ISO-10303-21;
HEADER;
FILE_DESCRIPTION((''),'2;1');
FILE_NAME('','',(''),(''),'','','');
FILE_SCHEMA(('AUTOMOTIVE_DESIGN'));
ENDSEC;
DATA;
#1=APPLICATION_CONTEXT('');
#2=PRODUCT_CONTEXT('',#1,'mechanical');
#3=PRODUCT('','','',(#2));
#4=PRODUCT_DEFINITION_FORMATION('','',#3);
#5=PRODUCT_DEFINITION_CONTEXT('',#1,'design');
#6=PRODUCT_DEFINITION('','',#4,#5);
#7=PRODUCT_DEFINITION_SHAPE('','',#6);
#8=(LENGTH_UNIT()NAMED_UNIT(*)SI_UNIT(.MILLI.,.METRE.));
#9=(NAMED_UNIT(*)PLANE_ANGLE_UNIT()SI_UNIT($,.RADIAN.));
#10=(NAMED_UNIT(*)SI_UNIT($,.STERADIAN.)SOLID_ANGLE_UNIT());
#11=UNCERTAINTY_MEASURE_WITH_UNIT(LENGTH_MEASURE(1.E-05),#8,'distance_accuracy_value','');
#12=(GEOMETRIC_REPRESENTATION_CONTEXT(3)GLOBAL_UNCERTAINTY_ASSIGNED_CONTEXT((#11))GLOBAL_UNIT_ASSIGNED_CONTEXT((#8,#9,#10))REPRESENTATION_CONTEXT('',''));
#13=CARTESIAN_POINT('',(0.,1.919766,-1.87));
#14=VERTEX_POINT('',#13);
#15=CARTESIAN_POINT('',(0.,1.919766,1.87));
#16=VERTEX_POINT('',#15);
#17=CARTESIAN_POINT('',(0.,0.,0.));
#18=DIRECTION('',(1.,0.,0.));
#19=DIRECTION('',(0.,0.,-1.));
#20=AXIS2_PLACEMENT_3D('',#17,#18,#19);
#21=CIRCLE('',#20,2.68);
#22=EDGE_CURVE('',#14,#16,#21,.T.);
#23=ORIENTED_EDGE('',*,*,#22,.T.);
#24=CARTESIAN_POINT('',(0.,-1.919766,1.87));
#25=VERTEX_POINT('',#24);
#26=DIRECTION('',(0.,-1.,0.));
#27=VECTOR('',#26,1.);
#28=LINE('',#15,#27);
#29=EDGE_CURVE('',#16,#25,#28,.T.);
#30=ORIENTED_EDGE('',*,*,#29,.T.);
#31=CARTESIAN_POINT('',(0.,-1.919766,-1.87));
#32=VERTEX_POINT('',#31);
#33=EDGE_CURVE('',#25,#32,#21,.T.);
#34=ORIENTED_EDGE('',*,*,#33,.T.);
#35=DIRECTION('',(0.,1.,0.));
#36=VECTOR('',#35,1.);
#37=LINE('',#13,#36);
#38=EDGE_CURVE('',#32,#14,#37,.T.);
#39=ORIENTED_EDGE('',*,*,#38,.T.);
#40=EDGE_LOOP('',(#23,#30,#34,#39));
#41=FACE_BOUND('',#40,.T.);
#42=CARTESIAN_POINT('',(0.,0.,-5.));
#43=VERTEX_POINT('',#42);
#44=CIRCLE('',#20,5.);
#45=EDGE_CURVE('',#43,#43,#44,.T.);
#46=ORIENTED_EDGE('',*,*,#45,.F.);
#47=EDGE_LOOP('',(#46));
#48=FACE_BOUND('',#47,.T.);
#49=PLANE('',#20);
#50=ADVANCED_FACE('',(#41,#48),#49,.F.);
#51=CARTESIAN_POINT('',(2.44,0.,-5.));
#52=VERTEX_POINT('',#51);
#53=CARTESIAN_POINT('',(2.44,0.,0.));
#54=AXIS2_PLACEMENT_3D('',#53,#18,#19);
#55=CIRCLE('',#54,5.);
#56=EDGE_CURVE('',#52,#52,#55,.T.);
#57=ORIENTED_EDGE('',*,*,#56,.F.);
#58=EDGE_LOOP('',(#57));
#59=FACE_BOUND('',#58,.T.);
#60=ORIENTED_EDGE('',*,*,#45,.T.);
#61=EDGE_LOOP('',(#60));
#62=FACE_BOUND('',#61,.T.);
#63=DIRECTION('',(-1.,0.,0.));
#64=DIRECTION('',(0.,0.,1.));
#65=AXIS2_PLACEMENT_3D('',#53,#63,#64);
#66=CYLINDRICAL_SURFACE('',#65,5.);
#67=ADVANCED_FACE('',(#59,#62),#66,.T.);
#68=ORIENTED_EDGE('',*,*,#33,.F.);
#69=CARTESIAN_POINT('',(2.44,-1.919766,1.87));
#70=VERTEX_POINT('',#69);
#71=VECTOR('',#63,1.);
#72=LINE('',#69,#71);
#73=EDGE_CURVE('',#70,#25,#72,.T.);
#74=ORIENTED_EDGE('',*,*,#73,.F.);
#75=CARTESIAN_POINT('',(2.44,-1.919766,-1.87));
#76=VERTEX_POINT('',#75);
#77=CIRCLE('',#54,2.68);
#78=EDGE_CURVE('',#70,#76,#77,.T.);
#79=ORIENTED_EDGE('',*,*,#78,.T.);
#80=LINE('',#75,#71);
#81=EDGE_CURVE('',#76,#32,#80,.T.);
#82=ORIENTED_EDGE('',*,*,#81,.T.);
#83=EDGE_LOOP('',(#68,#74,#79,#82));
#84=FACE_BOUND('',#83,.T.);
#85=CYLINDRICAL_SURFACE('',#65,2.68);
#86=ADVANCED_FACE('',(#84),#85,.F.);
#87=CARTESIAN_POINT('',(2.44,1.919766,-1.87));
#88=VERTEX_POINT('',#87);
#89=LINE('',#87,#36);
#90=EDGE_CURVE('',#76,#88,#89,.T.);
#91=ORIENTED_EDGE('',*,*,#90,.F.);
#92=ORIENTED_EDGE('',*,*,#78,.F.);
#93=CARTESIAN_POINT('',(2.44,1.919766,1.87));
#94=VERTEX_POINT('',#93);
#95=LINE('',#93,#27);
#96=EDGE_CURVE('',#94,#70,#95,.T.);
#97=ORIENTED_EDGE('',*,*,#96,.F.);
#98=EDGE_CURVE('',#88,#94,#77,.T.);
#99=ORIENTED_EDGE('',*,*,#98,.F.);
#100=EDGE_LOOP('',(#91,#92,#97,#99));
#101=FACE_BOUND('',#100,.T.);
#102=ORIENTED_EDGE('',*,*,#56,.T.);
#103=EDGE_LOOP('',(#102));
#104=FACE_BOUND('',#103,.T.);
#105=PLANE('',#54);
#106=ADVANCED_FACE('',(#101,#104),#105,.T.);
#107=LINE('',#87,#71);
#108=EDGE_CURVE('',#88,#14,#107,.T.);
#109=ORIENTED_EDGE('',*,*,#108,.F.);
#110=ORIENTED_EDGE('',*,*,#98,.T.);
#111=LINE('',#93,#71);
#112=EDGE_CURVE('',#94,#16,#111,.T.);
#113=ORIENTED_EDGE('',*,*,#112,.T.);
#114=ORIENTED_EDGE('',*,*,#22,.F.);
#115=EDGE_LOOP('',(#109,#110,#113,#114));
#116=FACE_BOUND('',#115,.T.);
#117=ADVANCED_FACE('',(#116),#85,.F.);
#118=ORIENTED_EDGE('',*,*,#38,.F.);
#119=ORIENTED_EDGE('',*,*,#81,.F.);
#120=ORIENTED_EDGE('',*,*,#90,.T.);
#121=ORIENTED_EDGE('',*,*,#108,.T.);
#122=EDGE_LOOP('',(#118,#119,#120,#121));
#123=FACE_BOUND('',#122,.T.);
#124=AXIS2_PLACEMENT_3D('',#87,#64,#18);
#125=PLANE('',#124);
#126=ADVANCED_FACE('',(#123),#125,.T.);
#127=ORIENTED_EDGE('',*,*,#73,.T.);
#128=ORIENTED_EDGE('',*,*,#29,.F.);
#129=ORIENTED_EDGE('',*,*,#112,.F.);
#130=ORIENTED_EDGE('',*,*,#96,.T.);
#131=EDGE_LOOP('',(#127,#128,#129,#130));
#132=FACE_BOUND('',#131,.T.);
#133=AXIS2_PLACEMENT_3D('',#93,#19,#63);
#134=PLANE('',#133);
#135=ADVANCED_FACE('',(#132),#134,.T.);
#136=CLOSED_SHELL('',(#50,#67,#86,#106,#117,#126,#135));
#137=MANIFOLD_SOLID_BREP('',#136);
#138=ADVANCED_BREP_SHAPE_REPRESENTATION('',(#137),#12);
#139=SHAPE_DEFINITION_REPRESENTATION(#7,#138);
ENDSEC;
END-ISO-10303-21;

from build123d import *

# Parameters (mm, degrees)
CROQUIS1_R              = 5
SALIENTE_EXTRUIR1_DEPTH = 2.44


with BuildPart() as part:
    # Croquis1 → Saliente-Extruir1 (new body)
    with BuildSketch(Plane(origin=(0, 0, 0), x_dir=(0, 0, -1), z_dir=(1, 0, 0))):
        Circle(CROQUIS1_R)
        with BuildLine():
            Line((-1.87, 1.919765611), (-1.87, -1.919765611))
            ThreePointArc((-1.87, -1.919765611), (0, -2.68), (1.87, -1.919765611))
            Line((1.87, -1.919765611), (1.87, 1.919765611))
            ThreePointArc((1.87, 1.919765611), (0, 2.68), (-1.87, 1.919765611))
        make_face(mode=Mode.SUBTRACT)
    extrude(amount=SALIENTE_EXTRUIR1_DEPTH)


solid = part.part
